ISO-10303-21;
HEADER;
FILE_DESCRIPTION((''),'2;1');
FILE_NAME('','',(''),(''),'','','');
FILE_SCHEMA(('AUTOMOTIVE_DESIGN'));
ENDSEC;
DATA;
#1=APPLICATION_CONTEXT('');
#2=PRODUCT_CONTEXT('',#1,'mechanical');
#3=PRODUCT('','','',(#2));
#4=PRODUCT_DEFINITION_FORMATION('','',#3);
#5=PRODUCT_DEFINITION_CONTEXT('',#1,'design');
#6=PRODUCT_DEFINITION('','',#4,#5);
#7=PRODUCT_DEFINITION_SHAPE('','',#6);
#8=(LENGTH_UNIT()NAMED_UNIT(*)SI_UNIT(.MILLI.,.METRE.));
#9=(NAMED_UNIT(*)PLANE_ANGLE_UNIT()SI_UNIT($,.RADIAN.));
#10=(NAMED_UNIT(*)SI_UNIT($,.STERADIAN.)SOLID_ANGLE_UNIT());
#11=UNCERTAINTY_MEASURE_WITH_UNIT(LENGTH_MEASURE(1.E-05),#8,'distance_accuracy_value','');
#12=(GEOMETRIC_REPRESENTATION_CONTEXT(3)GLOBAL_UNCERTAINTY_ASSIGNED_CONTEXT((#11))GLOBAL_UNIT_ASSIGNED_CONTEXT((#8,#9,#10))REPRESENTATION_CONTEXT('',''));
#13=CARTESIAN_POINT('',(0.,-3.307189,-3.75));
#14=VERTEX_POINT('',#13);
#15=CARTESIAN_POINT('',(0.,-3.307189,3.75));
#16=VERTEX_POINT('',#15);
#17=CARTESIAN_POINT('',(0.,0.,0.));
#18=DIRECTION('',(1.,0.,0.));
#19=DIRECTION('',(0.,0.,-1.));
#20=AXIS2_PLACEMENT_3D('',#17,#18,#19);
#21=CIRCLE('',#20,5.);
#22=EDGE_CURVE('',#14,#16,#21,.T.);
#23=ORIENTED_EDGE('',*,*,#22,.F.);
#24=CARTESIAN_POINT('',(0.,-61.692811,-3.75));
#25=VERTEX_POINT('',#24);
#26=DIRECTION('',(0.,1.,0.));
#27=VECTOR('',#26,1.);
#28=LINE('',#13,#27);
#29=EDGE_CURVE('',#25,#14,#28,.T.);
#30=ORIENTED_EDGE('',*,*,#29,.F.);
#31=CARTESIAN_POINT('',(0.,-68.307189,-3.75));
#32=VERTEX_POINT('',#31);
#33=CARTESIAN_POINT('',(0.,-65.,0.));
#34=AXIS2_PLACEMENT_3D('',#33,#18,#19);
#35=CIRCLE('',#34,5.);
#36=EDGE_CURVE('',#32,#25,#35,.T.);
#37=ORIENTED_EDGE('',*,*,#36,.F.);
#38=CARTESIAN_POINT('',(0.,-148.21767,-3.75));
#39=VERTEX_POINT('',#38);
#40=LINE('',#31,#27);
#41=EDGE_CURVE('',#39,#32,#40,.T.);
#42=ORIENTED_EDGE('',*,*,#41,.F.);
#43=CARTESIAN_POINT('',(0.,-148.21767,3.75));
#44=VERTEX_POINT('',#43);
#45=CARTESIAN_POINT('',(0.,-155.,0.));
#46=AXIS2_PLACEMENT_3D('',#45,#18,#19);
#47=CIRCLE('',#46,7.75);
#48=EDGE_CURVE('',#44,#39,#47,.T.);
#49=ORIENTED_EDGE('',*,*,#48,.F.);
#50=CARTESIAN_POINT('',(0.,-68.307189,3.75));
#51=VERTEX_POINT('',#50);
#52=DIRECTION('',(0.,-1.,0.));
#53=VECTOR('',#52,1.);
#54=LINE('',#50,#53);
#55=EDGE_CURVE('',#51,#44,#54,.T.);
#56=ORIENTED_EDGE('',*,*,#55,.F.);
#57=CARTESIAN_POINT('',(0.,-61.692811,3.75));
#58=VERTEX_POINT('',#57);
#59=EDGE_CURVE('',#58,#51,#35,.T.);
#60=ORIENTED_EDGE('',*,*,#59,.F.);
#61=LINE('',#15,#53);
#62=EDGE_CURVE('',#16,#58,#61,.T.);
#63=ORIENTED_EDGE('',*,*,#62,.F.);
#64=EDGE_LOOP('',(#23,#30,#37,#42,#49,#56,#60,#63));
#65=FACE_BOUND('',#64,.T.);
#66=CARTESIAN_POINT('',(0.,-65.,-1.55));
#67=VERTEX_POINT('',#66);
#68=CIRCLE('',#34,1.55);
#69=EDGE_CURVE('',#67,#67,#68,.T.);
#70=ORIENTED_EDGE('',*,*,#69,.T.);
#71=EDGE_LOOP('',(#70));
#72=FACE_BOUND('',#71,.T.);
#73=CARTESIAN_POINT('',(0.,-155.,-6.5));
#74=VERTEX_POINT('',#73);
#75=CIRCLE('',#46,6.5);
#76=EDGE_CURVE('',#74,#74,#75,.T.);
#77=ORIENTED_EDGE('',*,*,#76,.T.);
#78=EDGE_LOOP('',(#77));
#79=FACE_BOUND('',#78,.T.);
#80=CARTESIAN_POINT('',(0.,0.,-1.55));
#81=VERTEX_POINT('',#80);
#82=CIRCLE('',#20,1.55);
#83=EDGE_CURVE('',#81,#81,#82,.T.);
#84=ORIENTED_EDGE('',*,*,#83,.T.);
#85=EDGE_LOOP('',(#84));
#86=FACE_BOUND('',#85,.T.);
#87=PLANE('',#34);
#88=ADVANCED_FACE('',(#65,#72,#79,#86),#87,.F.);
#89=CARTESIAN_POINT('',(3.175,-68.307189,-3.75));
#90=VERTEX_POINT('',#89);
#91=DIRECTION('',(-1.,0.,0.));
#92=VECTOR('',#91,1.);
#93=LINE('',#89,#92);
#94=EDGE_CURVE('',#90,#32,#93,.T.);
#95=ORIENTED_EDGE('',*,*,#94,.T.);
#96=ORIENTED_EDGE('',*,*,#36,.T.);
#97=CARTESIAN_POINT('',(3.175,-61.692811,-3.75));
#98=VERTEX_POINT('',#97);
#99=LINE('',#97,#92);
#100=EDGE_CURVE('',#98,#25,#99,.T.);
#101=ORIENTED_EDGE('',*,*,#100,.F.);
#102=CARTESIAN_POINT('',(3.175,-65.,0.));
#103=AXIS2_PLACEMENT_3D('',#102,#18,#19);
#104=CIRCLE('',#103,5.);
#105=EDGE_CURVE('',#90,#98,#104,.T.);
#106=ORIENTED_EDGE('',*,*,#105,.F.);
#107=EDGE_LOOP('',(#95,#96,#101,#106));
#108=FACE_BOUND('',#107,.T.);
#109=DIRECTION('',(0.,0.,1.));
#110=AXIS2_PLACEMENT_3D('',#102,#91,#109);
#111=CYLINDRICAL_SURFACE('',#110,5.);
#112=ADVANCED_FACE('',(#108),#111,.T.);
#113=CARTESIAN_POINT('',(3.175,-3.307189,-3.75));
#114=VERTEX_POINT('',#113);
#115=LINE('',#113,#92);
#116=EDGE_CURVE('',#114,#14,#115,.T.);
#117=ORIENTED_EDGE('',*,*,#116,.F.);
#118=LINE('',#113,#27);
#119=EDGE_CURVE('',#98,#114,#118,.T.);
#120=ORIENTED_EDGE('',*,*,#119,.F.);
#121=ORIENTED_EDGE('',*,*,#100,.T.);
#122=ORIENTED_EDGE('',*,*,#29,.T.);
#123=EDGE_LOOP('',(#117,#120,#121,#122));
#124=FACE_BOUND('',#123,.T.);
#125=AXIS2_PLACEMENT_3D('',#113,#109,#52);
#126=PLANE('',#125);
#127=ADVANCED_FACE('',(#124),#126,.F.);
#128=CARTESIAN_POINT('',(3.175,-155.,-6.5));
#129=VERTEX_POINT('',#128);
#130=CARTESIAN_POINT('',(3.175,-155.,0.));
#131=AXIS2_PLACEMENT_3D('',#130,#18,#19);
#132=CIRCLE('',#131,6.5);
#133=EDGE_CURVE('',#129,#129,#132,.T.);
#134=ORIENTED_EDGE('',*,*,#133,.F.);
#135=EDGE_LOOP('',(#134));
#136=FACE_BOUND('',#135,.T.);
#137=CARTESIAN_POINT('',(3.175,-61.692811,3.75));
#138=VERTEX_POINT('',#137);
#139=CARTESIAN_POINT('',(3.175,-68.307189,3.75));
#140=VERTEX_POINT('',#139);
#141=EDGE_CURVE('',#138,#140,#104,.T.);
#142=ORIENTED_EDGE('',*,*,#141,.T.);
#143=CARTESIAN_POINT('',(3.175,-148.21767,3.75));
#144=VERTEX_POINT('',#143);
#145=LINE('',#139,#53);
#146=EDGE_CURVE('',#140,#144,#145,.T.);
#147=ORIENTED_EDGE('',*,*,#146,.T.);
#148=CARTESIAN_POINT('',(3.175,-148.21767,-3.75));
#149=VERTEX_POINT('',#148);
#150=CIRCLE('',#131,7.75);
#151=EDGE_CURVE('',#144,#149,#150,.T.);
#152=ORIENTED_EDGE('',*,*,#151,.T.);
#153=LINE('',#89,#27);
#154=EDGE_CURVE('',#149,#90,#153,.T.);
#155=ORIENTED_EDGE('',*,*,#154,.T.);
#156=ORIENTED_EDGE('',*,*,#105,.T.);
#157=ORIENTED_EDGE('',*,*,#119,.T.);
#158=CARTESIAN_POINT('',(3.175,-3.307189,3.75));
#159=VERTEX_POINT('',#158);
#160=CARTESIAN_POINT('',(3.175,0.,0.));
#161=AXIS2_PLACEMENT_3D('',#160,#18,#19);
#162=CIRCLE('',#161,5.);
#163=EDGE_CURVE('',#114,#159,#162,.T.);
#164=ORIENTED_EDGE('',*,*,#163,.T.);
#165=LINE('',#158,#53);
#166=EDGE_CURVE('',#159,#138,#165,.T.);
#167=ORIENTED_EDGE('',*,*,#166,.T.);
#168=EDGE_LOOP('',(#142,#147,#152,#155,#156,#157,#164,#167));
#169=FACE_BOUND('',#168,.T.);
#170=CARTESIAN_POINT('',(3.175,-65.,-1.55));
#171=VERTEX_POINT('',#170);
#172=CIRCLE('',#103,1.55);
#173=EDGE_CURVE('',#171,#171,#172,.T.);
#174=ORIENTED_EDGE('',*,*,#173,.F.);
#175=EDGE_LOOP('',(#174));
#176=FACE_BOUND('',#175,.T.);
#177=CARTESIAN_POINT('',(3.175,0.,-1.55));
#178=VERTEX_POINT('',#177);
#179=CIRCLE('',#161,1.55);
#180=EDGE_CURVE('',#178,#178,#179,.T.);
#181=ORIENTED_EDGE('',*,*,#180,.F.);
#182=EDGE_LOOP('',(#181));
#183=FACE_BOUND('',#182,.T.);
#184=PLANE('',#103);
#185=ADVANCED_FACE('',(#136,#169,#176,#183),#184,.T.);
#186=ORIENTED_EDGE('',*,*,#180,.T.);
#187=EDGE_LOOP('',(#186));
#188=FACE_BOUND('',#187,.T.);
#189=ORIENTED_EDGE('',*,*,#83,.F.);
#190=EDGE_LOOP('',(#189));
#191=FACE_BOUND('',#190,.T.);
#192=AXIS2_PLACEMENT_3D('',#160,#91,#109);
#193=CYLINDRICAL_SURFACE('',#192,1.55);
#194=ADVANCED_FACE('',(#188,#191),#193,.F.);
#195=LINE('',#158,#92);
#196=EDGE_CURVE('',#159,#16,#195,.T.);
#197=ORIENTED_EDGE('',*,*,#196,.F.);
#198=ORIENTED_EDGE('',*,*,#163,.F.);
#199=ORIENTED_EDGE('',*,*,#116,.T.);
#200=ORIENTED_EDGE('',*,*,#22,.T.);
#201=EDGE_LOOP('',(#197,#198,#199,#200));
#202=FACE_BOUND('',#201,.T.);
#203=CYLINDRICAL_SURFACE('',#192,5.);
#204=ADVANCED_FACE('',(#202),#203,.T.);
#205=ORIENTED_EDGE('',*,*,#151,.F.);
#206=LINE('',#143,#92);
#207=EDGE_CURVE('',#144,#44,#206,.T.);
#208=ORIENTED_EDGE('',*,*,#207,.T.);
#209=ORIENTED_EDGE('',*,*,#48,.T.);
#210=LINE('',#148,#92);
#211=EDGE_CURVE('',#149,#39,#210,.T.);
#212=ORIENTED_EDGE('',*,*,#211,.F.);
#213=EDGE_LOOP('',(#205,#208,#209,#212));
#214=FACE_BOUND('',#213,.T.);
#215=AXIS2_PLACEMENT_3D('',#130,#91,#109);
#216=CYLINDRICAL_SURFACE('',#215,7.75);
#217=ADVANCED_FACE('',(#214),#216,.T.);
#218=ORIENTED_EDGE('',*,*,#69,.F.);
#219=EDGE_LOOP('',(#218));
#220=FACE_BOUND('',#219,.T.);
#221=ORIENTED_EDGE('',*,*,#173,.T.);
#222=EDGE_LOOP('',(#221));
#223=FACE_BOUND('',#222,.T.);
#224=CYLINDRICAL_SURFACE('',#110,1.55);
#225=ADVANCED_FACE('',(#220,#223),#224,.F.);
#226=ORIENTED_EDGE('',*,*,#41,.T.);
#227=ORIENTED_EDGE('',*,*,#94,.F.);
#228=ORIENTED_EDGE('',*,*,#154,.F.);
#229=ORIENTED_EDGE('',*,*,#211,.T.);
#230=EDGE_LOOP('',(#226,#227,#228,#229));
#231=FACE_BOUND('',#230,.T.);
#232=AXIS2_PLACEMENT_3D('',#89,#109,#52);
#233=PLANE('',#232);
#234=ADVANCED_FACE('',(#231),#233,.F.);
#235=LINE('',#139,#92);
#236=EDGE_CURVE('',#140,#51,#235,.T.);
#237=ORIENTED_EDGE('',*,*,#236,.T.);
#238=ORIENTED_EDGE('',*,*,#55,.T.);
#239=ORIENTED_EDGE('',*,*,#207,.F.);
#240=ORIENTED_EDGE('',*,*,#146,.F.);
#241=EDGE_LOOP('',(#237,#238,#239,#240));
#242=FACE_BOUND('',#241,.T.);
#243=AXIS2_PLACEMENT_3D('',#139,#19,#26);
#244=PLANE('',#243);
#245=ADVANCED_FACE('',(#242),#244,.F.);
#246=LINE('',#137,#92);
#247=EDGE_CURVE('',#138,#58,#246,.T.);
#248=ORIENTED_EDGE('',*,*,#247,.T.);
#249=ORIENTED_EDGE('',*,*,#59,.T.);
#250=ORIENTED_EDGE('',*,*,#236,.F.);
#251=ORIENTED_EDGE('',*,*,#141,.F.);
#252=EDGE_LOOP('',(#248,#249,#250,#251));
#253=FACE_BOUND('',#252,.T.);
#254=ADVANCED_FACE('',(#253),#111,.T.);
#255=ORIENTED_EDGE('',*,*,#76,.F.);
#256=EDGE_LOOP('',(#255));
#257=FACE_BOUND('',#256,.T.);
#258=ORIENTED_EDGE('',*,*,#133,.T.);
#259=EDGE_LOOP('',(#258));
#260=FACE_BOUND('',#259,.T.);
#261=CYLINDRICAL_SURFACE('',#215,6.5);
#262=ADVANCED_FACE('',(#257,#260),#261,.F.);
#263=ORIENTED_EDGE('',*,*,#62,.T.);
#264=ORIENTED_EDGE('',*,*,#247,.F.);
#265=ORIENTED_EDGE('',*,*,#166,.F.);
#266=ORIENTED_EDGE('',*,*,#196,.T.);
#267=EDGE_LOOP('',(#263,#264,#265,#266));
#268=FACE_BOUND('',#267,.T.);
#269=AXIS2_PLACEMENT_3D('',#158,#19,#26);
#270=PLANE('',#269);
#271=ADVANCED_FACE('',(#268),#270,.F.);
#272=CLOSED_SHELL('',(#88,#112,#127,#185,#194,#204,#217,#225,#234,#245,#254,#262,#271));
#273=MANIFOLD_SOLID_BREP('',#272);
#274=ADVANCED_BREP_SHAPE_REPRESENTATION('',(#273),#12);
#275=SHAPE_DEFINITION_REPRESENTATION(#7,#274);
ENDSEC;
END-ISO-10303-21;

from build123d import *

# Parameters (mm, degrees)
SKETCH1_R           = 1.55
SKETCH1_R_2         = 6.5
BOSS_EXTRUDE3_DEPTH = 3.175


with BuildPart() as part:
    # Sketch1 → Boss-Extrude3 (new body)
    with BuildSketch(Plane(origin=(0, 0, 0), x_dir=(0, 0, -1), z_dir=(1, 0, 0))):
        with BuildLine():
            Line((3.75, -3.307189139), (3.75, -61.692810861))
            ThreePointArc((3.75, -61.692810861), (5, -65), (3.75, -68.307189139))
            Line((3.75, -68.307189139), (3.75, -148.217670017))
            ThreePointArc((3.75, -148.217670017), (0, -162.75), (-3.75, -148.217670017))
            Line((-3.75, -148.217670017), (-3.75, -68.307189139))
            ThreePointArc((-3.75, -68.307189139), (-5, -65), (-3.75, -61.692810861))
            Line((-3.75, -61.692810861), (-3.75, -3.307189139))
            ThreePointArc((-3.75, -3.307189139), (0, 5), (3.75, -3.307189139))
        make_face()
        Circle(SKETCH1_R, mode=Mode.SUBTRACT)
        with Locations((0, -65)):
            Circle(SKETCH1_R, mode=Mode.SUBTRACT)
        with Locations((0, -155)):
            Circle(SKETCH1_R_2, mode=Mode.SUBTRACT)
    extrude(amount=BOSS_EXTRUDE3_DEPTH)


solid = part.part
